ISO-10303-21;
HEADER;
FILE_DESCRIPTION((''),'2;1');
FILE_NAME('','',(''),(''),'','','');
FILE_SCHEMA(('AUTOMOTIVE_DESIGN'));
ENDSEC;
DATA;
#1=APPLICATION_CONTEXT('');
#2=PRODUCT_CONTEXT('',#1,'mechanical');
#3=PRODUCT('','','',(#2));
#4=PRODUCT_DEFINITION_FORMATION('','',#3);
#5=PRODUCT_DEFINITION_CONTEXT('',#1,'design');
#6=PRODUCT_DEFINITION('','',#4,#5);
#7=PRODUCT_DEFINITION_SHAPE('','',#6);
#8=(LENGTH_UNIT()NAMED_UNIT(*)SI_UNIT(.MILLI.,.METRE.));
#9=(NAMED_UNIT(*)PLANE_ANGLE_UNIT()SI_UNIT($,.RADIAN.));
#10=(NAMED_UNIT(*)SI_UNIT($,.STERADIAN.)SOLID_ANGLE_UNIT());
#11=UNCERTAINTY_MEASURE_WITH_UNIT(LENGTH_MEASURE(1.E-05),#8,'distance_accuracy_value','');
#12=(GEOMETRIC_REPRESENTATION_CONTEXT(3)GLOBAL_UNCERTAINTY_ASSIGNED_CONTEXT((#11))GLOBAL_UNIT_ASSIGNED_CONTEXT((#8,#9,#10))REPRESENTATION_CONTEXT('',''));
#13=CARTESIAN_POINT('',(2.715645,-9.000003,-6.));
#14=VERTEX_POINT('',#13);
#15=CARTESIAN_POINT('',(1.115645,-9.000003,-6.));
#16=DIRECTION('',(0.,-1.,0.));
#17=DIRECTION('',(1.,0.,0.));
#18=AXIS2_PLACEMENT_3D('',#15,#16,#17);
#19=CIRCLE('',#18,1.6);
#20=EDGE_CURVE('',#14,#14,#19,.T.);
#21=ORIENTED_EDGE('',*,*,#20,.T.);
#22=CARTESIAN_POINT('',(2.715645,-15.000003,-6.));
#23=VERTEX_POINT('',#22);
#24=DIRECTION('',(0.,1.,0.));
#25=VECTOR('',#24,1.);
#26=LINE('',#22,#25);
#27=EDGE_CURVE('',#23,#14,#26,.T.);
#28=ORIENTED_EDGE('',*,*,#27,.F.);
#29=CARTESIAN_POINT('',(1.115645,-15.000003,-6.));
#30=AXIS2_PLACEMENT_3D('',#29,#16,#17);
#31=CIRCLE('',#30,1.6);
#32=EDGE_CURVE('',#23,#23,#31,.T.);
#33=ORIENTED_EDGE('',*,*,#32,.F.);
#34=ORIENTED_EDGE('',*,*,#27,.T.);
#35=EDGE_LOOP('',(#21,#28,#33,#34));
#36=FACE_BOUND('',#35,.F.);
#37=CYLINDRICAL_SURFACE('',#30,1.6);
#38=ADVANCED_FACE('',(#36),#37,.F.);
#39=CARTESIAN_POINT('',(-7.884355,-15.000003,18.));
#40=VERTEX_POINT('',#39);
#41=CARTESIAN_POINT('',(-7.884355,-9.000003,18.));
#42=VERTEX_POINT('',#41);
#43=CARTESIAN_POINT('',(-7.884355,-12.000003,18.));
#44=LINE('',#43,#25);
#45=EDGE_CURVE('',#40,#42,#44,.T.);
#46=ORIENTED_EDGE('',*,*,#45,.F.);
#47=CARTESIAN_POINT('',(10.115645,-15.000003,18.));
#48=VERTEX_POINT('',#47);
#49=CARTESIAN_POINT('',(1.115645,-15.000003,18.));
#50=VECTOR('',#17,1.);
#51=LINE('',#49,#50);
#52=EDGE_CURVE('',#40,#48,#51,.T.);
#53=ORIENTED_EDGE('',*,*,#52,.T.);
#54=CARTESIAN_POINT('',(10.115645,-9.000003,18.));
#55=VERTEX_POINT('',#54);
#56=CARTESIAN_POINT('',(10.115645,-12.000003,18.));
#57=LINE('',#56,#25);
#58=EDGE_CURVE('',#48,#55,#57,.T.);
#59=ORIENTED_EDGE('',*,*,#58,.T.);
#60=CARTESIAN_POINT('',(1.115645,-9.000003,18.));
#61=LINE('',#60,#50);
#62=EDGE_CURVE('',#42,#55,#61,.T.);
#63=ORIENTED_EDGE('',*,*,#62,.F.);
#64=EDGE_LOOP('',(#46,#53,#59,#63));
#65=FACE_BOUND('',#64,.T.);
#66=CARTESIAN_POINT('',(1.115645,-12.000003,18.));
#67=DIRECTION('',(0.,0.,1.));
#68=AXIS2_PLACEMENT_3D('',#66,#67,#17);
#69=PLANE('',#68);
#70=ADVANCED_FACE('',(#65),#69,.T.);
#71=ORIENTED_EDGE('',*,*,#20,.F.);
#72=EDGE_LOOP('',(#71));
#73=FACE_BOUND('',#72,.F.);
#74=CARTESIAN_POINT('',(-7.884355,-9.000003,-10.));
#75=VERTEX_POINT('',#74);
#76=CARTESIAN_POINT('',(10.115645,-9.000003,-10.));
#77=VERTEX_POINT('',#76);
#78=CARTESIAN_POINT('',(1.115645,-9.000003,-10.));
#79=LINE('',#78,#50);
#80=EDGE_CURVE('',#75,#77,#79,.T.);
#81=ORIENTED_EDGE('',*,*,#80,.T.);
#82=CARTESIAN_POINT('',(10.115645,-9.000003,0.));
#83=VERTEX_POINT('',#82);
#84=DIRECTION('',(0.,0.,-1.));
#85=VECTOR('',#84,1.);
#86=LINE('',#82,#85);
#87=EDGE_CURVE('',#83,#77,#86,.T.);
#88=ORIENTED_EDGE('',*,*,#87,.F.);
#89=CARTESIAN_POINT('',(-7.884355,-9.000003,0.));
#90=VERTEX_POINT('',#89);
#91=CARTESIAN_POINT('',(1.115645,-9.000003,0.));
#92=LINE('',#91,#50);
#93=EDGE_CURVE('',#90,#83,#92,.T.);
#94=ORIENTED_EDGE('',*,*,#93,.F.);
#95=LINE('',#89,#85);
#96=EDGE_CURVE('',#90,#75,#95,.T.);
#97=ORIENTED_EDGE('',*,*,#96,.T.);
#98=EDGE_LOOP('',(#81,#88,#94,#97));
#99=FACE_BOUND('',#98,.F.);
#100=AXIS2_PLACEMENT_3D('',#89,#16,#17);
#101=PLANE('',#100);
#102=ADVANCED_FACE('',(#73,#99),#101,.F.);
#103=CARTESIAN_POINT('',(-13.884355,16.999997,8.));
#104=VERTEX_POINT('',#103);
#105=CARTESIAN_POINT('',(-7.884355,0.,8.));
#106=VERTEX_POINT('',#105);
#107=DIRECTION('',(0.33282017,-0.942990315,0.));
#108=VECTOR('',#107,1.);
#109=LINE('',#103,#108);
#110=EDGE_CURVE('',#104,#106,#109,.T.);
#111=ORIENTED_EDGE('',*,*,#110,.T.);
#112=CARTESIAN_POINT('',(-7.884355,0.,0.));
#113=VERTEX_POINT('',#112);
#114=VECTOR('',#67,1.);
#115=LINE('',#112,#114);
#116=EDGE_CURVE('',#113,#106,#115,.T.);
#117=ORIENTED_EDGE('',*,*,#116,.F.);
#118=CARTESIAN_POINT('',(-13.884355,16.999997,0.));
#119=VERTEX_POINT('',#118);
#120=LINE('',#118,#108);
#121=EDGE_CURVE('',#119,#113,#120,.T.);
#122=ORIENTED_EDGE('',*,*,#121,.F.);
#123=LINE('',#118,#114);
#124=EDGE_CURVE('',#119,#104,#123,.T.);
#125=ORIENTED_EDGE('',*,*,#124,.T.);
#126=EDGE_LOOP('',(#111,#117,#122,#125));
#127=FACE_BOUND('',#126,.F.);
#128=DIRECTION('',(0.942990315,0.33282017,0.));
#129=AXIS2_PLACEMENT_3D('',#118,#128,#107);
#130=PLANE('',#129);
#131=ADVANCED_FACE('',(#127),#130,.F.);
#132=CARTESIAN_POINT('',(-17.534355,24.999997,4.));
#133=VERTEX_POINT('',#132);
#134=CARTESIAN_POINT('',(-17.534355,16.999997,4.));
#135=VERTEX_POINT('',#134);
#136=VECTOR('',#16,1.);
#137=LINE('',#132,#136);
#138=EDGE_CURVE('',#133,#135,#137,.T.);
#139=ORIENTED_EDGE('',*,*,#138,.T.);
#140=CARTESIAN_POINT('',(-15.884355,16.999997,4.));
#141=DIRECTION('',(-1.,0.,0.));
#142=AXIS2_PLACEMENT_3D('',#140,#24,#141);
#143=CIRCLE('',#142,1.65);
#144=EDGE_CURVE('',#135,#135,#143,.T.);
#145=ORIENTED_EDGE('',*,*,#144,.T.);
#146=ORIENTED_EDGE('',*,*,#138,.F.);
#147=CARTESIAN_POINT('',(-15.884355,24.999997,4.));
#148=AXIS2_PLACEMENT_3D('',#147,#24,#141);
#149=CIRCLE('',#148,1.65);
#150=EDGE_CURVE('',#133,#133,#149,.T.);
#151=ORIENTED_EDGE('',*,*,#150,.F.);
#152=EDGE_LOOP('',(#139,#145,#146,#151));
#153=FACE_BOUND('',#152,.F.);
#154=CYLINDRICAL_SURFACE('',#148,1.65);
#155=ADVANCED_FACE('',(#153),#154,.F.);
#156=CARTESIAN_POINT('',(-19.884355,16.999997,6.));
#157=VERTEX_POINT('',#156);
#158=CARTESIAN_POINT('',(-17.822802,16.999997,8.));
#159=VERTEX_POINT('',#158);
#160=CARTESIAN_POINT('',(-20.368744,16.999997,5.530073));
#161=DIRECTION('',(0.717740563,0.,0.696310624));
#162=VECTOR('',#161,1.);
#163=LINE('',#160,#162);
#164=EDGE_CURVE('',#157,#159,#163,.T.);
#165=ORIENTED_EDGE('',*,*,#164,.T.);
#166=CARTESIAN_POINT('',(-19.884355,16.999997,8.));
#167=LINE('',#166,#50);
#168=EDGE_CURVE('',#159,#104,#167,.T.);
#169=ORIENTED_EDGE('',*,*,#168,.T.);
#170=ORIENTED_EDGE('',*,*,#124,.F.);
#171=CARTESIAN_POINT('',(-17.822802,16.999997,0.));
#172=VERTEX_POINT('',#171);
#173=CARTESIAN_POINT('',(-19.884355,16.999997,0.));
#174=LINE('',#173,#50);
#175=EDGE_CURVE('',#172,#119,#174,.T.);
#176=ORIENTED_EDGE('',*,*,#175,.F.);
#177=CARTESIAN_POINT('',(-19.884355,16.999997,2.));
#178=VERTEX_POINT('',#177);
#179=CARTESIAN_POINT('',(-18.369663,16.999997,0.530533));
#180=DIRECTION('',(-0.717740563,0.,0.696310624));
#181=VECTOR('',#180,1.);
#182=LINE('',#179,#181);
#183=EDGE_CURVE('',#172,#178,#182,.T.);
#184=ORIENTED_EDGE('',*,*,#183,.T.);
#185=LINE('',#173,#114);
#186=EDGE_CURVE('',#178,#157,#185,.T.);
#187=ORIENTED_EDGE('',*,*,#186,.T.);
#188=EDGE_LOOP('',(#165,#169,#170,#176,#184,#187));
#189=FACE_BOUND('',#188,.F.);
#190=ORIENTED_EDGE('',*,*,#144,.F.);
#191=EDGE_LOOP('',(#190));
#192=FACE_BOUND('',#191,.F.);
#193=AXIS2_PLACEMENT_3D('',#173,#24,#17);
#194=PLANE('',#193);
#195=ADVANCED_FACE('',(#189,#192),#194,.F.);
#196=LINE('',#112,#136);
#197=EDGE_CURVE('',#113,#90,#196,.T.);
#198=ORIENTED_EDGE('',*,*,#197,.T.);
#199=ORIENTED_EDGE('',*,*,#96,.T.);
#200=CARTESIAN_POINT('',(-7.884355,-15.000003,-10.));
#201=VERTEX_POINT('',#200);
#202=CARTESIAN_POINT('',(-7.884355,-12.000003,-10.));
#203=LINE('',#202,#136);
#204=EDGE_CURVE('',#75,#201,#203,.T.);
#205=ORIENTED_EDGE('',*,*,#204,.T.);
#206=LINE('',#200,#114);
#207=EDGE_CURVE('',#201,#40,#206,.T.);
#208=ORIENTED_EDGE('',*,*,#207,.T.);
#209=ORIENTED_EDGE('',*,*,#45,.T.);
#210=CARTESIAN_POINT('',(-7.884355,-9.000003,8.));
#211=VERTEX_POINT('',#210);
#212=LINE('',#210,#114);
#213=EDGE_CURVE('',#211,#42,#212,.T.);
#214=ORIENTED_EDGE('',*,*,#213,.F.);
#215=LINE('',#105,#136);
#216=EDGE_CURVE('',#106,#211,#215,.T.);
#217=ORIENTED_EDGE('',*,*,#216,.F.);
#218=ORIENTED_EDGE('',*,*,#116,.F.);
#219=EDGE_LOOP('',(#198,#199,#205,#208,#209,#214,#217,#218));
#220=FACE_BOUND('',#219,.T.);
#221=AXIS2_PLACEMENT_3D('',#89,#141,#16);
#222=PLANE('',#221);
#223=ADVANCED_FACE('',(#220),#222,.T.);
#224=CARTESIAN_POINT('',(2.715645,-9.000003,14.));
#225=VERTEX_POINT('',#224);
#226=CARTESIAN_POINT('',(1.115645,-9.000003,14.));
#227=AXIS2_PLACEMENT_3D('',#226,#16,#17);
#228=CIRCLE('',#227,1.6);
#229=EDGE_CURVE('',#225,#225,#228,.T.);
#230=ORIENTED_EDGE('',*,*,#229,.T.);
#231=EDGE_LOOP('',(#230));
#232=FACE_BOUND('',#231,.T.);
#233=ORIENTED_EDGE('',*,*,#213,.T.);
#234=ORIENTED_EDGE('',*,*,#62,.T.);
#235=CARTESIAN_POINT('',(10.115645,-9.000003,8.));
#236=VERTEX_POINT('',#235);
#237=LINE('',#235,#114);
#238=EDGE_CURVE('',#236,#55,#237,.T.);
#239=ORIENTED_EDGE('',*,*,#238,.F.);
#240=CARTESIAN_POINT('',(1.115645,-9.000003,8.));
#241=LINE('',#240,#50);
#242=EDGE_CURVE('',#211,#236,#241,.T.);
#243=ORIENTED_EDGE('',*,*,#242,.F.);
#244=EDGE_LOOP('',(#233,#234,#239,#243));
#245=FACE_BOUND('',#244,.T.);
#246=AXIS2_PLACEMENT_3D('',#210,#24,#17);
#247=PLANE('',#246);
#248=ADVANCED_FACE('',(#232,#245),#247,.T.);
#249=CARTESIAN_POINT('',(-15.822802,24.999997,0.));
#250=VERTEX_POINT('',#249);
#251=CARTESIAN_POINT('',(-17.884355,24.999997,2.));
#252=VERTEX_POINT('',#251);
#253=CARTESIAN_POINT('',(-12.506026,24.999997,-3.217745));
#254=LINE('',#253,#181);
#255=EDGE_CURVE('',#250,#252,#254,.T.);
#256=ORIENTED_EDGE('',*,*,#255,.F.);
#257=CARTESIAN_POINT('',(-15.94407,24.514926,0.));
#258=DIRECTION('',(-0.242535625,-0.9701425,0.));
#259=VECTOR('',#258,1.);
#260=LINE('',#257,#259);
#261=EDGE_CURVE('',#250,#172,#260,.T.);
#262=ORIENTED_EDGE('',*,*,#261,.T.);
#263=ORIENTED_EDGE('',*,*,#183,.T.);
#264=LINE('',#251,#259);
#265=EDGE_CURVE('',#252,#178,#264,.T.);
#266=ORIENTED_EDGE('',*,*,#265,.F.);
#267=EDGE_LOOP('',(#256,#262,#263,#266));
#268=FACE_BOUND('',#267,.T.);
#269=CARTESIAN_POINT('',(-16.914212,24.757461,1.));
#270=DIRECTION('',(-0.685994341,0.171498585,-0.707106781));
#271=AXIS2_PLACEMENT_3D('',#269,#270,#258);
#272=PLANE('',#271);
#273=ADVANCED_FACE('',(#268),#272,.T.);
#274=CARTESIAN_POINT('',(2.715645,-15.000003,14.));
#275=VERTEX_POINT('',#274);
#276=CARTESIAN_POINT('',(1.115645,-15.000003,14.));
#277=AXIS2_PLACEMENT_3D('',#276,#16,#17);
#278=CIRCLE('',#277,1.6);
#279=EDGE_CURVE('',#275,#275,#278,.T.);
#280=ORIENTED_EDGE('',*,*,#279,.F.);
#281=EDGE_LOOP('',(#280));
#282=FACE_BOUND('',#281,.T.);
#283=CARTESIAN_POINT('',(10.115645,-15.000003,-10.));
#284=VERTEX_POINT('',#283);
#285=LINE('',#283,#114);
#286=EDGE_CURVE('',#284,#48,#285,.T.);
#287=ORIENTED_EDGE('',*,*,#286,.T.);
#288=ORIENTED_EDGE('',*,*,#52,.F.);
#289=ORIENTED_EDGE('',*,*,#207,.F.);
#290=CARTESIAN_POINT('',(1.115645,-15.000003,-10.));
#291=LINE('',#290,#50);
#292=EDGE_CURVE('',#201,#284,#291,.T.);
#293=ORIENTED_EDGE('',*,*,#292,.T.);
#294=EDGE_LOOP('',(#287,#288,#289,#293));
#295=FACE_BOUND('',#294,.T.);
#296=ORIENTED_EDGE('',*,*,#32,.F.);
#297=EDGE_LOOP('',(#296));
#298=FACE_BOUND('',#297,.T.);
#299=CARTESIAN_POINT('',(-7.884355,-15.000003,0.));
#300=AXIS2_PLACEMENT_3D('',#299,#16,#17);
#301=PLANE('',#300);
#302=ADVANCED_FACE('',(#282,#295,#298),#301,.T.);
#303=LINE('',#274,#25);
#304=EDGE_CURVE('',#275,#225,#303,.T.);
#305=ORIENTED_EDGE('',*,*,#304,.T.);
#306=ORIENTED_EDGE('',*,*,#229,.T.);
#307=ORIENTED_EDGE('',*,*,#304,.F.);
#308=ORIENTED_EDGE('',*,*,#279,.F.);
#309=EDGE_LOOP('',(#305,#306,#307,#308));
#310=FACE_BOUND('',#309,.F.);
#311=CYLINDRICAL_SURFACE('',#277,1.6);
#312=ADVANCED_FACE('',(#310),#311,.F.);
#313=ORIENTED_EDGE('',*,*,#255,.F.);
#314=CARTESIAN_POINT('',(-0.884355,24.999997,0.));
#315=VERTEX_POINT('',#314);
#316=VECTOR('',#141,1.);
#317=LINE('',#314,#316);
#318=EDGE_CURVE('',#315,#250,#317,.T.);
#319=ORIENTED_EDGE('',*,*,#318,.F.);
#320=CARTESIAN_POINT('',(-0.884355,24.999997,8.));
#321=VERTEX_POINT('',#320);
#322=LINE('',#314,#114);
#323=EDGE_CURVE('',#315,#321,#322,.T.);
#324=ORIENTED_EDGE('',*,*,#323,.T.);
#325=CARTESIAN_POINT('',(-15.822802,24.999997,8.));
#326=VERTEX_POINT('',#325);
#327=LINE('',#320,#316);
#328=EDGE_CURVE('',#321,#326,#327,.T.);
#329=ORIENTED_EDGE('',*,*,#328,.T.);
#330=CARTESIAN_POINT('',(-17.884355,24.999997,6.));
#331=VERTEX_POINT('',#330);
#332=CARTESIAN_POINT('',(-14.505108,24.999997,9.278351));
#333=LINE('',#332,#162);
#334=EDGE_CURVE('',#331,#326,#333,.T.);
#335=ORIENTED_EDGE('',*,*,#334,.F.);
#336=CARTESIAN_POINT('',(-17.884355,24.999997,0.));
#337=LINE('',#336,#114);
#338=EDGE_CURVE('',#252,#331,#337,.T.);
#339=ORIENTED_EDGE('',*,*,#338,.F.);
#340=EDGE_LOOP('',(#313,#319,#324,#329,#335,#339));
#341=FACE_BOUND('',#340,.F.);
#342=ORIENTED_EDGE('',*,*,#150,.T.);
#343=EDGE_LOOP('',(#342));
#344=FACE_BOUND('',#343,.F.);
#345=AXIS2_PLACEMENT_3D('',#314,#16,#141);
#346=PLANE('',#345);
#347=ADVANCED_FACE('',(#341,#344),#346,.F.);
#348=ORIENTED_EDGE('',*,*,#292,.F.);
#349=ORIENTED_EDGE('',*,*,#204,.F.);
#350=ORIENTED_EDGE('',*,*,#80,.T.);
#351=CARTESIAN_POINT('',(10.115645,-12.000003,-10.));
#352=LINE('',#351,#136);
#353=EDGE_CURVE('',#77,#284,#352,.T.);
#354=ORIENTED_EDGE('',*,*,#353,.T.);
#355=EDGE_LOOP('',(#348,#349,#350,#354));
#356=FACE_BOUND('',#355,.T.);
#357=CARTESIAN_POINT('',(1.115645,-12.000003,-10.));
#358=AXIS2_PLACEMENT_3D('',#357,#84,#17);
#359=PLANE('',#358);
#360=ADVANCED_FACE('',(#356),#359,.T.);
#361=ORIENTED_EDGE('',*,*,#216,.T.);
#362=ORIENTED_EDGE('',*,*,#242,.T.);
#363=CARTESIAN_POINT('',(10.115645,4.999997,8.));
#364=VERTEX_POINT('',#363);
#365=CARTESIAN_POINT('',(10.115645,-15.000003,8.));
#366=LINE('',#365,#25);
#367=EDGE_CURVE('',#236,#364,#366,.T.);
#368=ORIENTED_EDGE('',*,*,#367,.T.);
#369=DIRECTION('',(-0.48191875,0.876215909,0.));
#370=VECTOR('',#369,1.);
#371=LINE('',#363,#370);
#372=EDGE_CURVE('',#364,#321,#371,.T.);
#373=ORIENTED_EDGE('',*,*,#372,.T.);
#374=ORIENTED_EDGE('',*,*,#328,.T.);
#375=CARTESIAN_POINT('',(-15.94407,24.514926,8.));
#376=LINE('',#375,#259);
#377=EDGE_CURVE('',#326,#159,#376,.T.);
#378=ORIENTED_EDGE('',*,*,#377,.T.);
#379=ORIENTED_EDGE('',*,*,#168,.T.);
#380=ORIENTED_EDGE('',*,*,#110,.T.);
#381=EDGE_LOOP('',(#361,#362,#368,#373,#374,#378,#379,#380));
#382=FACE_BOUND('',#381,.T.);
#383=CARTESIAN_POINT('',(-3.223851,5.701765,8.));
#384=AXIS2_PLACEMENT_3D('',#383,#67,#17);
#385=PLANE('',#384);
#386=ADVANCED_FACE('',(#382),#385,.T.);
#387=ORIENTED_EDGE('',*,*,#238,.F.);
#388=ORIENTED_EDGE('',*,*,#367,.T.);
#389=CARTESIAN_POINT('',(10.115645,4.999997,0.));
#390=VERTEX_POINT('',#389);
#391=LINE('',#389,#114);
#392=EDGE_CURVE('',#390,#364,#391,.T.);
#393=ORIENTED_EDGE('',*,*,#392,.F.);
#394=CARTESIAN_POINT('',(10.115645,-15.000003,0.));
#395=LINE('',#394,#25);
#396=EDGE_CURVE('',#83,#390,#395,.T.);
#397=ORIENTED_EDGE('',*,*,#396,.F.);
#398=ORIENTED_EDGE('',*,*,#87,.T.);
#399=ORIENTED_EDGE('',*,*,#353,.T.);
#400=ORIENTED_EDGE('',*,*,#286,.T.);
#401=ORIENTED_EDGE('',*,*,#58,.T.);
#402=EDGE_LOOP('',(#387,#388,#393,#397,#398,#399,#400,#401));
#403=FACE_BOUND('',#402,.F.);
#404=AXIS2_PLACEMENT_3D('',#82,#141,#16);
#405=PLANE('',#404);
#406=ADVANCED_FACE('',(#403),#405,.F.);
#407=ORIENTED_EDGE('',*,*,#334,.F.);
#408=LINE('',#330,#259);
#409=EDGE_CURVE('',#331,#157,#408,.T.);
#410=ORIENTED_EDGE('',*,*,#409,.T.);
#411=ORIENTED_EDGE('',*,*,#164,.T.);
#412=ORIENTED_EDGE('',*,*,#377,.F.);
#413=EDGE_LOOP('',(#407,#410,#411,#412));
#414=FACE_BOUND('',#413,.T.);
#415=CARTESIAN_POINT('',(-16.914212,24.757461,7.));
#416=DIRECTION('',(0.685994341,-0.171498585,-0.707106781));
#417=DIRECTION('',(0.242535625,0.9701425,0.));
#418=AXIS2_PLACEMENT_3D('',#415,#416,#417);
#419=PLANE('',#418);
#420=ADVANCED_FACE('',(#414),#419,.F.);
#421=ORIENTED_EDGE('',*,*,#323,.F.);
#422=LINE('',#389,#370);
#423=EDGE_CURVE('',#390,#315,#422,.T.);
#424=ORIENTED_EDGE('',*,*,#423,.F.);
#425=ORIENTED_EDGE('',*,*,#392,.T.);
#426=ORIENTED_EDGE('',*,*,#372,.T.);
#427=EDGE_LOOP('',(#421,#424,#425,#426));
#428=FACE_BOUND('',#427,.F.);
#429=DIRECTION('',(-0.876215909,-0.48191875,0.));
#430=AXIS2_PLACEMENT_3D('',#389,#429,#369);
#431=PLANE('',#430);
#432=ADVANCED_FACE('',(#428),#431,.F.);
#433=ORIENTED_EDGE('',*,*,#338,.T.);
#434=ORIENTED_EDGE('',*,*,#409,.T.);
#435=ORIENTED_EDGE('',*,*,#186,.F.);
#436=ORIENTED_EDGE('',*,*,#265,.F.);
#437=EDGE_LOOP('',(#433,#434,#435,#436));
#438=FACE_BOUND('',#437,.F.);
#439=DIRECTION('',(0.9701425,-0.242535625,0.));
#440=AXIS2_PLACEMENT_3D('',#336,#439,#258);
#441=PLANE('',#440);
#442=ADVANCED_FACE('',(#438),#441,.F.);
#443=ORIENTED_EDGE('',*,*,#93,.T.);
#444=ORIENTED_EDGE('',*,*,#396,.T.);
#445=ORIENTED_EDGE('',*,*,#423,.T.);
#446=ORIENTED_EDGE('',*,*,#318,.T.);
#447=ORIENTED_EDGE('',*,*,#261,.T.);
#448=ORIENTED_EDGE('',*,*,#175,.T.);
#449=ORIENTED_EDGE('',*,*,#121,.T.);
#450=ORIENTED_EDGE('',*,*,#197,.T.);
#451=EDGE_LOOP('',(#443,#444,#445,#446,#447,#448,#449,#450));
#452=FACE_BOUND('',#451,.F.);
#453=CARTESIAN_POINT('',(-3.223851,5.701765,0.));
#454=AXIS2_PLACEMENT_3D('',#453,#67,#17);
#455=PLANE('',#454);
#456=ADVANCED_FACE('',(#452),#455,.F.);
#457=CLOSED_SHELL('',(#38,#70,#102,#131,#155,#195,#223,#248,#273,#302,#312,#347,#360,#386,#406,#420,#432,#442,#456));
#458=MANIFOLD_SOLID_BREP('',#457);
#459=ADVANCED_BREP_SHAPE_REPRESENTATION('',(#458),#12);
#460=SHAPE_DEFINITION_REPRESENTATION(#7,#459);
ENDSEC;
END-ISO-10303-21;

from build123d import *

# Parameters (mm, degrees)
F1_DEPTH  = 8
F2_W      = 18
F2_H      = 6
F3_DEPTH  = 10
F4_W      = 18
F4_H      = 6
F5_DEPTH  = 10
F6_SIZE   = 2
F7_SIZE   = 2
F8_R      = 1.65
F9_DEPTH  = 25
F10_R     = 1.6
F11_DEPTH = 25


with BuildPart() as f1:
    # F0 (on Top) → F1 (new body)
    with BuildSketch(Plane.XY):
        Polygon((-17.884355, 24.999997), (-19.884355, 16.999997), (-13.884355, 16.999997), (-7.884355, 0), (-7.884355, -15.000003), (10.115645, -15.000003), (10.115645, 4.999997), (-0.884355, 24.999997), align=None)
    extrude(amount=F1_DEPTH)

    # F2 (on face) → F3 (join)
    with BuildSketch(Plane.XY.offset(8)):
        with Locations((1.115645, -12.000003)):
            Rectangle(F2_W, F2_H)
    extrude(amount=F3_DEPTH)

    # F4 (on face) → F5 (join)
    with BuildSketch(Plane(origin=(0, 0, 0), x_dir=(1, 0, 0), z_dir=(0, 0, -1))):
        with Locations((1.115645, 12.000003)):
            Rectangle(F4_W, F4_H)
    extrude(amount=F5_DEPTH)

    # F6
    f6_edges = [f1.edges().sort_by_distance(p)[0] for p in [
        (-18.884355, 20.999997, 0),
    ]]
    chamfer(f6_edges, length=F6_SIZE)

    # F7
    f7_edges = [f1.edges().sort_by_distance(p)[0] for p in [
        (-18.884355, 20.999997, 8),
    ]]
    chamfer(f7_edges, length=F7_SIZE)

    # F8 (on face) → F9 (cut)
    with BuildSketch(Plane(origin=(0, 24.999997, 0), x_dir=(-1, 0, 0), z_dir=(0, 1, 0))):
        with Locations((15.884355, 4)):
            Circle(F8_R)
    extrude(amount=-F9_DEPTH, mode=Mode.SUBTRACT)

    # F10 (on face) → F11 (cut)
    with BuildSketch(Plane.XZ.offset(15.000003)):
        with Locations((1.115645, 14)):
            Circle(F10_R)
        with Locations((1.115645, -6)):
            Circle(F10_R)
    extrude(amount=-F11_DEPTH, mode=Mode.SUBTRACT)


solid = f1.part
